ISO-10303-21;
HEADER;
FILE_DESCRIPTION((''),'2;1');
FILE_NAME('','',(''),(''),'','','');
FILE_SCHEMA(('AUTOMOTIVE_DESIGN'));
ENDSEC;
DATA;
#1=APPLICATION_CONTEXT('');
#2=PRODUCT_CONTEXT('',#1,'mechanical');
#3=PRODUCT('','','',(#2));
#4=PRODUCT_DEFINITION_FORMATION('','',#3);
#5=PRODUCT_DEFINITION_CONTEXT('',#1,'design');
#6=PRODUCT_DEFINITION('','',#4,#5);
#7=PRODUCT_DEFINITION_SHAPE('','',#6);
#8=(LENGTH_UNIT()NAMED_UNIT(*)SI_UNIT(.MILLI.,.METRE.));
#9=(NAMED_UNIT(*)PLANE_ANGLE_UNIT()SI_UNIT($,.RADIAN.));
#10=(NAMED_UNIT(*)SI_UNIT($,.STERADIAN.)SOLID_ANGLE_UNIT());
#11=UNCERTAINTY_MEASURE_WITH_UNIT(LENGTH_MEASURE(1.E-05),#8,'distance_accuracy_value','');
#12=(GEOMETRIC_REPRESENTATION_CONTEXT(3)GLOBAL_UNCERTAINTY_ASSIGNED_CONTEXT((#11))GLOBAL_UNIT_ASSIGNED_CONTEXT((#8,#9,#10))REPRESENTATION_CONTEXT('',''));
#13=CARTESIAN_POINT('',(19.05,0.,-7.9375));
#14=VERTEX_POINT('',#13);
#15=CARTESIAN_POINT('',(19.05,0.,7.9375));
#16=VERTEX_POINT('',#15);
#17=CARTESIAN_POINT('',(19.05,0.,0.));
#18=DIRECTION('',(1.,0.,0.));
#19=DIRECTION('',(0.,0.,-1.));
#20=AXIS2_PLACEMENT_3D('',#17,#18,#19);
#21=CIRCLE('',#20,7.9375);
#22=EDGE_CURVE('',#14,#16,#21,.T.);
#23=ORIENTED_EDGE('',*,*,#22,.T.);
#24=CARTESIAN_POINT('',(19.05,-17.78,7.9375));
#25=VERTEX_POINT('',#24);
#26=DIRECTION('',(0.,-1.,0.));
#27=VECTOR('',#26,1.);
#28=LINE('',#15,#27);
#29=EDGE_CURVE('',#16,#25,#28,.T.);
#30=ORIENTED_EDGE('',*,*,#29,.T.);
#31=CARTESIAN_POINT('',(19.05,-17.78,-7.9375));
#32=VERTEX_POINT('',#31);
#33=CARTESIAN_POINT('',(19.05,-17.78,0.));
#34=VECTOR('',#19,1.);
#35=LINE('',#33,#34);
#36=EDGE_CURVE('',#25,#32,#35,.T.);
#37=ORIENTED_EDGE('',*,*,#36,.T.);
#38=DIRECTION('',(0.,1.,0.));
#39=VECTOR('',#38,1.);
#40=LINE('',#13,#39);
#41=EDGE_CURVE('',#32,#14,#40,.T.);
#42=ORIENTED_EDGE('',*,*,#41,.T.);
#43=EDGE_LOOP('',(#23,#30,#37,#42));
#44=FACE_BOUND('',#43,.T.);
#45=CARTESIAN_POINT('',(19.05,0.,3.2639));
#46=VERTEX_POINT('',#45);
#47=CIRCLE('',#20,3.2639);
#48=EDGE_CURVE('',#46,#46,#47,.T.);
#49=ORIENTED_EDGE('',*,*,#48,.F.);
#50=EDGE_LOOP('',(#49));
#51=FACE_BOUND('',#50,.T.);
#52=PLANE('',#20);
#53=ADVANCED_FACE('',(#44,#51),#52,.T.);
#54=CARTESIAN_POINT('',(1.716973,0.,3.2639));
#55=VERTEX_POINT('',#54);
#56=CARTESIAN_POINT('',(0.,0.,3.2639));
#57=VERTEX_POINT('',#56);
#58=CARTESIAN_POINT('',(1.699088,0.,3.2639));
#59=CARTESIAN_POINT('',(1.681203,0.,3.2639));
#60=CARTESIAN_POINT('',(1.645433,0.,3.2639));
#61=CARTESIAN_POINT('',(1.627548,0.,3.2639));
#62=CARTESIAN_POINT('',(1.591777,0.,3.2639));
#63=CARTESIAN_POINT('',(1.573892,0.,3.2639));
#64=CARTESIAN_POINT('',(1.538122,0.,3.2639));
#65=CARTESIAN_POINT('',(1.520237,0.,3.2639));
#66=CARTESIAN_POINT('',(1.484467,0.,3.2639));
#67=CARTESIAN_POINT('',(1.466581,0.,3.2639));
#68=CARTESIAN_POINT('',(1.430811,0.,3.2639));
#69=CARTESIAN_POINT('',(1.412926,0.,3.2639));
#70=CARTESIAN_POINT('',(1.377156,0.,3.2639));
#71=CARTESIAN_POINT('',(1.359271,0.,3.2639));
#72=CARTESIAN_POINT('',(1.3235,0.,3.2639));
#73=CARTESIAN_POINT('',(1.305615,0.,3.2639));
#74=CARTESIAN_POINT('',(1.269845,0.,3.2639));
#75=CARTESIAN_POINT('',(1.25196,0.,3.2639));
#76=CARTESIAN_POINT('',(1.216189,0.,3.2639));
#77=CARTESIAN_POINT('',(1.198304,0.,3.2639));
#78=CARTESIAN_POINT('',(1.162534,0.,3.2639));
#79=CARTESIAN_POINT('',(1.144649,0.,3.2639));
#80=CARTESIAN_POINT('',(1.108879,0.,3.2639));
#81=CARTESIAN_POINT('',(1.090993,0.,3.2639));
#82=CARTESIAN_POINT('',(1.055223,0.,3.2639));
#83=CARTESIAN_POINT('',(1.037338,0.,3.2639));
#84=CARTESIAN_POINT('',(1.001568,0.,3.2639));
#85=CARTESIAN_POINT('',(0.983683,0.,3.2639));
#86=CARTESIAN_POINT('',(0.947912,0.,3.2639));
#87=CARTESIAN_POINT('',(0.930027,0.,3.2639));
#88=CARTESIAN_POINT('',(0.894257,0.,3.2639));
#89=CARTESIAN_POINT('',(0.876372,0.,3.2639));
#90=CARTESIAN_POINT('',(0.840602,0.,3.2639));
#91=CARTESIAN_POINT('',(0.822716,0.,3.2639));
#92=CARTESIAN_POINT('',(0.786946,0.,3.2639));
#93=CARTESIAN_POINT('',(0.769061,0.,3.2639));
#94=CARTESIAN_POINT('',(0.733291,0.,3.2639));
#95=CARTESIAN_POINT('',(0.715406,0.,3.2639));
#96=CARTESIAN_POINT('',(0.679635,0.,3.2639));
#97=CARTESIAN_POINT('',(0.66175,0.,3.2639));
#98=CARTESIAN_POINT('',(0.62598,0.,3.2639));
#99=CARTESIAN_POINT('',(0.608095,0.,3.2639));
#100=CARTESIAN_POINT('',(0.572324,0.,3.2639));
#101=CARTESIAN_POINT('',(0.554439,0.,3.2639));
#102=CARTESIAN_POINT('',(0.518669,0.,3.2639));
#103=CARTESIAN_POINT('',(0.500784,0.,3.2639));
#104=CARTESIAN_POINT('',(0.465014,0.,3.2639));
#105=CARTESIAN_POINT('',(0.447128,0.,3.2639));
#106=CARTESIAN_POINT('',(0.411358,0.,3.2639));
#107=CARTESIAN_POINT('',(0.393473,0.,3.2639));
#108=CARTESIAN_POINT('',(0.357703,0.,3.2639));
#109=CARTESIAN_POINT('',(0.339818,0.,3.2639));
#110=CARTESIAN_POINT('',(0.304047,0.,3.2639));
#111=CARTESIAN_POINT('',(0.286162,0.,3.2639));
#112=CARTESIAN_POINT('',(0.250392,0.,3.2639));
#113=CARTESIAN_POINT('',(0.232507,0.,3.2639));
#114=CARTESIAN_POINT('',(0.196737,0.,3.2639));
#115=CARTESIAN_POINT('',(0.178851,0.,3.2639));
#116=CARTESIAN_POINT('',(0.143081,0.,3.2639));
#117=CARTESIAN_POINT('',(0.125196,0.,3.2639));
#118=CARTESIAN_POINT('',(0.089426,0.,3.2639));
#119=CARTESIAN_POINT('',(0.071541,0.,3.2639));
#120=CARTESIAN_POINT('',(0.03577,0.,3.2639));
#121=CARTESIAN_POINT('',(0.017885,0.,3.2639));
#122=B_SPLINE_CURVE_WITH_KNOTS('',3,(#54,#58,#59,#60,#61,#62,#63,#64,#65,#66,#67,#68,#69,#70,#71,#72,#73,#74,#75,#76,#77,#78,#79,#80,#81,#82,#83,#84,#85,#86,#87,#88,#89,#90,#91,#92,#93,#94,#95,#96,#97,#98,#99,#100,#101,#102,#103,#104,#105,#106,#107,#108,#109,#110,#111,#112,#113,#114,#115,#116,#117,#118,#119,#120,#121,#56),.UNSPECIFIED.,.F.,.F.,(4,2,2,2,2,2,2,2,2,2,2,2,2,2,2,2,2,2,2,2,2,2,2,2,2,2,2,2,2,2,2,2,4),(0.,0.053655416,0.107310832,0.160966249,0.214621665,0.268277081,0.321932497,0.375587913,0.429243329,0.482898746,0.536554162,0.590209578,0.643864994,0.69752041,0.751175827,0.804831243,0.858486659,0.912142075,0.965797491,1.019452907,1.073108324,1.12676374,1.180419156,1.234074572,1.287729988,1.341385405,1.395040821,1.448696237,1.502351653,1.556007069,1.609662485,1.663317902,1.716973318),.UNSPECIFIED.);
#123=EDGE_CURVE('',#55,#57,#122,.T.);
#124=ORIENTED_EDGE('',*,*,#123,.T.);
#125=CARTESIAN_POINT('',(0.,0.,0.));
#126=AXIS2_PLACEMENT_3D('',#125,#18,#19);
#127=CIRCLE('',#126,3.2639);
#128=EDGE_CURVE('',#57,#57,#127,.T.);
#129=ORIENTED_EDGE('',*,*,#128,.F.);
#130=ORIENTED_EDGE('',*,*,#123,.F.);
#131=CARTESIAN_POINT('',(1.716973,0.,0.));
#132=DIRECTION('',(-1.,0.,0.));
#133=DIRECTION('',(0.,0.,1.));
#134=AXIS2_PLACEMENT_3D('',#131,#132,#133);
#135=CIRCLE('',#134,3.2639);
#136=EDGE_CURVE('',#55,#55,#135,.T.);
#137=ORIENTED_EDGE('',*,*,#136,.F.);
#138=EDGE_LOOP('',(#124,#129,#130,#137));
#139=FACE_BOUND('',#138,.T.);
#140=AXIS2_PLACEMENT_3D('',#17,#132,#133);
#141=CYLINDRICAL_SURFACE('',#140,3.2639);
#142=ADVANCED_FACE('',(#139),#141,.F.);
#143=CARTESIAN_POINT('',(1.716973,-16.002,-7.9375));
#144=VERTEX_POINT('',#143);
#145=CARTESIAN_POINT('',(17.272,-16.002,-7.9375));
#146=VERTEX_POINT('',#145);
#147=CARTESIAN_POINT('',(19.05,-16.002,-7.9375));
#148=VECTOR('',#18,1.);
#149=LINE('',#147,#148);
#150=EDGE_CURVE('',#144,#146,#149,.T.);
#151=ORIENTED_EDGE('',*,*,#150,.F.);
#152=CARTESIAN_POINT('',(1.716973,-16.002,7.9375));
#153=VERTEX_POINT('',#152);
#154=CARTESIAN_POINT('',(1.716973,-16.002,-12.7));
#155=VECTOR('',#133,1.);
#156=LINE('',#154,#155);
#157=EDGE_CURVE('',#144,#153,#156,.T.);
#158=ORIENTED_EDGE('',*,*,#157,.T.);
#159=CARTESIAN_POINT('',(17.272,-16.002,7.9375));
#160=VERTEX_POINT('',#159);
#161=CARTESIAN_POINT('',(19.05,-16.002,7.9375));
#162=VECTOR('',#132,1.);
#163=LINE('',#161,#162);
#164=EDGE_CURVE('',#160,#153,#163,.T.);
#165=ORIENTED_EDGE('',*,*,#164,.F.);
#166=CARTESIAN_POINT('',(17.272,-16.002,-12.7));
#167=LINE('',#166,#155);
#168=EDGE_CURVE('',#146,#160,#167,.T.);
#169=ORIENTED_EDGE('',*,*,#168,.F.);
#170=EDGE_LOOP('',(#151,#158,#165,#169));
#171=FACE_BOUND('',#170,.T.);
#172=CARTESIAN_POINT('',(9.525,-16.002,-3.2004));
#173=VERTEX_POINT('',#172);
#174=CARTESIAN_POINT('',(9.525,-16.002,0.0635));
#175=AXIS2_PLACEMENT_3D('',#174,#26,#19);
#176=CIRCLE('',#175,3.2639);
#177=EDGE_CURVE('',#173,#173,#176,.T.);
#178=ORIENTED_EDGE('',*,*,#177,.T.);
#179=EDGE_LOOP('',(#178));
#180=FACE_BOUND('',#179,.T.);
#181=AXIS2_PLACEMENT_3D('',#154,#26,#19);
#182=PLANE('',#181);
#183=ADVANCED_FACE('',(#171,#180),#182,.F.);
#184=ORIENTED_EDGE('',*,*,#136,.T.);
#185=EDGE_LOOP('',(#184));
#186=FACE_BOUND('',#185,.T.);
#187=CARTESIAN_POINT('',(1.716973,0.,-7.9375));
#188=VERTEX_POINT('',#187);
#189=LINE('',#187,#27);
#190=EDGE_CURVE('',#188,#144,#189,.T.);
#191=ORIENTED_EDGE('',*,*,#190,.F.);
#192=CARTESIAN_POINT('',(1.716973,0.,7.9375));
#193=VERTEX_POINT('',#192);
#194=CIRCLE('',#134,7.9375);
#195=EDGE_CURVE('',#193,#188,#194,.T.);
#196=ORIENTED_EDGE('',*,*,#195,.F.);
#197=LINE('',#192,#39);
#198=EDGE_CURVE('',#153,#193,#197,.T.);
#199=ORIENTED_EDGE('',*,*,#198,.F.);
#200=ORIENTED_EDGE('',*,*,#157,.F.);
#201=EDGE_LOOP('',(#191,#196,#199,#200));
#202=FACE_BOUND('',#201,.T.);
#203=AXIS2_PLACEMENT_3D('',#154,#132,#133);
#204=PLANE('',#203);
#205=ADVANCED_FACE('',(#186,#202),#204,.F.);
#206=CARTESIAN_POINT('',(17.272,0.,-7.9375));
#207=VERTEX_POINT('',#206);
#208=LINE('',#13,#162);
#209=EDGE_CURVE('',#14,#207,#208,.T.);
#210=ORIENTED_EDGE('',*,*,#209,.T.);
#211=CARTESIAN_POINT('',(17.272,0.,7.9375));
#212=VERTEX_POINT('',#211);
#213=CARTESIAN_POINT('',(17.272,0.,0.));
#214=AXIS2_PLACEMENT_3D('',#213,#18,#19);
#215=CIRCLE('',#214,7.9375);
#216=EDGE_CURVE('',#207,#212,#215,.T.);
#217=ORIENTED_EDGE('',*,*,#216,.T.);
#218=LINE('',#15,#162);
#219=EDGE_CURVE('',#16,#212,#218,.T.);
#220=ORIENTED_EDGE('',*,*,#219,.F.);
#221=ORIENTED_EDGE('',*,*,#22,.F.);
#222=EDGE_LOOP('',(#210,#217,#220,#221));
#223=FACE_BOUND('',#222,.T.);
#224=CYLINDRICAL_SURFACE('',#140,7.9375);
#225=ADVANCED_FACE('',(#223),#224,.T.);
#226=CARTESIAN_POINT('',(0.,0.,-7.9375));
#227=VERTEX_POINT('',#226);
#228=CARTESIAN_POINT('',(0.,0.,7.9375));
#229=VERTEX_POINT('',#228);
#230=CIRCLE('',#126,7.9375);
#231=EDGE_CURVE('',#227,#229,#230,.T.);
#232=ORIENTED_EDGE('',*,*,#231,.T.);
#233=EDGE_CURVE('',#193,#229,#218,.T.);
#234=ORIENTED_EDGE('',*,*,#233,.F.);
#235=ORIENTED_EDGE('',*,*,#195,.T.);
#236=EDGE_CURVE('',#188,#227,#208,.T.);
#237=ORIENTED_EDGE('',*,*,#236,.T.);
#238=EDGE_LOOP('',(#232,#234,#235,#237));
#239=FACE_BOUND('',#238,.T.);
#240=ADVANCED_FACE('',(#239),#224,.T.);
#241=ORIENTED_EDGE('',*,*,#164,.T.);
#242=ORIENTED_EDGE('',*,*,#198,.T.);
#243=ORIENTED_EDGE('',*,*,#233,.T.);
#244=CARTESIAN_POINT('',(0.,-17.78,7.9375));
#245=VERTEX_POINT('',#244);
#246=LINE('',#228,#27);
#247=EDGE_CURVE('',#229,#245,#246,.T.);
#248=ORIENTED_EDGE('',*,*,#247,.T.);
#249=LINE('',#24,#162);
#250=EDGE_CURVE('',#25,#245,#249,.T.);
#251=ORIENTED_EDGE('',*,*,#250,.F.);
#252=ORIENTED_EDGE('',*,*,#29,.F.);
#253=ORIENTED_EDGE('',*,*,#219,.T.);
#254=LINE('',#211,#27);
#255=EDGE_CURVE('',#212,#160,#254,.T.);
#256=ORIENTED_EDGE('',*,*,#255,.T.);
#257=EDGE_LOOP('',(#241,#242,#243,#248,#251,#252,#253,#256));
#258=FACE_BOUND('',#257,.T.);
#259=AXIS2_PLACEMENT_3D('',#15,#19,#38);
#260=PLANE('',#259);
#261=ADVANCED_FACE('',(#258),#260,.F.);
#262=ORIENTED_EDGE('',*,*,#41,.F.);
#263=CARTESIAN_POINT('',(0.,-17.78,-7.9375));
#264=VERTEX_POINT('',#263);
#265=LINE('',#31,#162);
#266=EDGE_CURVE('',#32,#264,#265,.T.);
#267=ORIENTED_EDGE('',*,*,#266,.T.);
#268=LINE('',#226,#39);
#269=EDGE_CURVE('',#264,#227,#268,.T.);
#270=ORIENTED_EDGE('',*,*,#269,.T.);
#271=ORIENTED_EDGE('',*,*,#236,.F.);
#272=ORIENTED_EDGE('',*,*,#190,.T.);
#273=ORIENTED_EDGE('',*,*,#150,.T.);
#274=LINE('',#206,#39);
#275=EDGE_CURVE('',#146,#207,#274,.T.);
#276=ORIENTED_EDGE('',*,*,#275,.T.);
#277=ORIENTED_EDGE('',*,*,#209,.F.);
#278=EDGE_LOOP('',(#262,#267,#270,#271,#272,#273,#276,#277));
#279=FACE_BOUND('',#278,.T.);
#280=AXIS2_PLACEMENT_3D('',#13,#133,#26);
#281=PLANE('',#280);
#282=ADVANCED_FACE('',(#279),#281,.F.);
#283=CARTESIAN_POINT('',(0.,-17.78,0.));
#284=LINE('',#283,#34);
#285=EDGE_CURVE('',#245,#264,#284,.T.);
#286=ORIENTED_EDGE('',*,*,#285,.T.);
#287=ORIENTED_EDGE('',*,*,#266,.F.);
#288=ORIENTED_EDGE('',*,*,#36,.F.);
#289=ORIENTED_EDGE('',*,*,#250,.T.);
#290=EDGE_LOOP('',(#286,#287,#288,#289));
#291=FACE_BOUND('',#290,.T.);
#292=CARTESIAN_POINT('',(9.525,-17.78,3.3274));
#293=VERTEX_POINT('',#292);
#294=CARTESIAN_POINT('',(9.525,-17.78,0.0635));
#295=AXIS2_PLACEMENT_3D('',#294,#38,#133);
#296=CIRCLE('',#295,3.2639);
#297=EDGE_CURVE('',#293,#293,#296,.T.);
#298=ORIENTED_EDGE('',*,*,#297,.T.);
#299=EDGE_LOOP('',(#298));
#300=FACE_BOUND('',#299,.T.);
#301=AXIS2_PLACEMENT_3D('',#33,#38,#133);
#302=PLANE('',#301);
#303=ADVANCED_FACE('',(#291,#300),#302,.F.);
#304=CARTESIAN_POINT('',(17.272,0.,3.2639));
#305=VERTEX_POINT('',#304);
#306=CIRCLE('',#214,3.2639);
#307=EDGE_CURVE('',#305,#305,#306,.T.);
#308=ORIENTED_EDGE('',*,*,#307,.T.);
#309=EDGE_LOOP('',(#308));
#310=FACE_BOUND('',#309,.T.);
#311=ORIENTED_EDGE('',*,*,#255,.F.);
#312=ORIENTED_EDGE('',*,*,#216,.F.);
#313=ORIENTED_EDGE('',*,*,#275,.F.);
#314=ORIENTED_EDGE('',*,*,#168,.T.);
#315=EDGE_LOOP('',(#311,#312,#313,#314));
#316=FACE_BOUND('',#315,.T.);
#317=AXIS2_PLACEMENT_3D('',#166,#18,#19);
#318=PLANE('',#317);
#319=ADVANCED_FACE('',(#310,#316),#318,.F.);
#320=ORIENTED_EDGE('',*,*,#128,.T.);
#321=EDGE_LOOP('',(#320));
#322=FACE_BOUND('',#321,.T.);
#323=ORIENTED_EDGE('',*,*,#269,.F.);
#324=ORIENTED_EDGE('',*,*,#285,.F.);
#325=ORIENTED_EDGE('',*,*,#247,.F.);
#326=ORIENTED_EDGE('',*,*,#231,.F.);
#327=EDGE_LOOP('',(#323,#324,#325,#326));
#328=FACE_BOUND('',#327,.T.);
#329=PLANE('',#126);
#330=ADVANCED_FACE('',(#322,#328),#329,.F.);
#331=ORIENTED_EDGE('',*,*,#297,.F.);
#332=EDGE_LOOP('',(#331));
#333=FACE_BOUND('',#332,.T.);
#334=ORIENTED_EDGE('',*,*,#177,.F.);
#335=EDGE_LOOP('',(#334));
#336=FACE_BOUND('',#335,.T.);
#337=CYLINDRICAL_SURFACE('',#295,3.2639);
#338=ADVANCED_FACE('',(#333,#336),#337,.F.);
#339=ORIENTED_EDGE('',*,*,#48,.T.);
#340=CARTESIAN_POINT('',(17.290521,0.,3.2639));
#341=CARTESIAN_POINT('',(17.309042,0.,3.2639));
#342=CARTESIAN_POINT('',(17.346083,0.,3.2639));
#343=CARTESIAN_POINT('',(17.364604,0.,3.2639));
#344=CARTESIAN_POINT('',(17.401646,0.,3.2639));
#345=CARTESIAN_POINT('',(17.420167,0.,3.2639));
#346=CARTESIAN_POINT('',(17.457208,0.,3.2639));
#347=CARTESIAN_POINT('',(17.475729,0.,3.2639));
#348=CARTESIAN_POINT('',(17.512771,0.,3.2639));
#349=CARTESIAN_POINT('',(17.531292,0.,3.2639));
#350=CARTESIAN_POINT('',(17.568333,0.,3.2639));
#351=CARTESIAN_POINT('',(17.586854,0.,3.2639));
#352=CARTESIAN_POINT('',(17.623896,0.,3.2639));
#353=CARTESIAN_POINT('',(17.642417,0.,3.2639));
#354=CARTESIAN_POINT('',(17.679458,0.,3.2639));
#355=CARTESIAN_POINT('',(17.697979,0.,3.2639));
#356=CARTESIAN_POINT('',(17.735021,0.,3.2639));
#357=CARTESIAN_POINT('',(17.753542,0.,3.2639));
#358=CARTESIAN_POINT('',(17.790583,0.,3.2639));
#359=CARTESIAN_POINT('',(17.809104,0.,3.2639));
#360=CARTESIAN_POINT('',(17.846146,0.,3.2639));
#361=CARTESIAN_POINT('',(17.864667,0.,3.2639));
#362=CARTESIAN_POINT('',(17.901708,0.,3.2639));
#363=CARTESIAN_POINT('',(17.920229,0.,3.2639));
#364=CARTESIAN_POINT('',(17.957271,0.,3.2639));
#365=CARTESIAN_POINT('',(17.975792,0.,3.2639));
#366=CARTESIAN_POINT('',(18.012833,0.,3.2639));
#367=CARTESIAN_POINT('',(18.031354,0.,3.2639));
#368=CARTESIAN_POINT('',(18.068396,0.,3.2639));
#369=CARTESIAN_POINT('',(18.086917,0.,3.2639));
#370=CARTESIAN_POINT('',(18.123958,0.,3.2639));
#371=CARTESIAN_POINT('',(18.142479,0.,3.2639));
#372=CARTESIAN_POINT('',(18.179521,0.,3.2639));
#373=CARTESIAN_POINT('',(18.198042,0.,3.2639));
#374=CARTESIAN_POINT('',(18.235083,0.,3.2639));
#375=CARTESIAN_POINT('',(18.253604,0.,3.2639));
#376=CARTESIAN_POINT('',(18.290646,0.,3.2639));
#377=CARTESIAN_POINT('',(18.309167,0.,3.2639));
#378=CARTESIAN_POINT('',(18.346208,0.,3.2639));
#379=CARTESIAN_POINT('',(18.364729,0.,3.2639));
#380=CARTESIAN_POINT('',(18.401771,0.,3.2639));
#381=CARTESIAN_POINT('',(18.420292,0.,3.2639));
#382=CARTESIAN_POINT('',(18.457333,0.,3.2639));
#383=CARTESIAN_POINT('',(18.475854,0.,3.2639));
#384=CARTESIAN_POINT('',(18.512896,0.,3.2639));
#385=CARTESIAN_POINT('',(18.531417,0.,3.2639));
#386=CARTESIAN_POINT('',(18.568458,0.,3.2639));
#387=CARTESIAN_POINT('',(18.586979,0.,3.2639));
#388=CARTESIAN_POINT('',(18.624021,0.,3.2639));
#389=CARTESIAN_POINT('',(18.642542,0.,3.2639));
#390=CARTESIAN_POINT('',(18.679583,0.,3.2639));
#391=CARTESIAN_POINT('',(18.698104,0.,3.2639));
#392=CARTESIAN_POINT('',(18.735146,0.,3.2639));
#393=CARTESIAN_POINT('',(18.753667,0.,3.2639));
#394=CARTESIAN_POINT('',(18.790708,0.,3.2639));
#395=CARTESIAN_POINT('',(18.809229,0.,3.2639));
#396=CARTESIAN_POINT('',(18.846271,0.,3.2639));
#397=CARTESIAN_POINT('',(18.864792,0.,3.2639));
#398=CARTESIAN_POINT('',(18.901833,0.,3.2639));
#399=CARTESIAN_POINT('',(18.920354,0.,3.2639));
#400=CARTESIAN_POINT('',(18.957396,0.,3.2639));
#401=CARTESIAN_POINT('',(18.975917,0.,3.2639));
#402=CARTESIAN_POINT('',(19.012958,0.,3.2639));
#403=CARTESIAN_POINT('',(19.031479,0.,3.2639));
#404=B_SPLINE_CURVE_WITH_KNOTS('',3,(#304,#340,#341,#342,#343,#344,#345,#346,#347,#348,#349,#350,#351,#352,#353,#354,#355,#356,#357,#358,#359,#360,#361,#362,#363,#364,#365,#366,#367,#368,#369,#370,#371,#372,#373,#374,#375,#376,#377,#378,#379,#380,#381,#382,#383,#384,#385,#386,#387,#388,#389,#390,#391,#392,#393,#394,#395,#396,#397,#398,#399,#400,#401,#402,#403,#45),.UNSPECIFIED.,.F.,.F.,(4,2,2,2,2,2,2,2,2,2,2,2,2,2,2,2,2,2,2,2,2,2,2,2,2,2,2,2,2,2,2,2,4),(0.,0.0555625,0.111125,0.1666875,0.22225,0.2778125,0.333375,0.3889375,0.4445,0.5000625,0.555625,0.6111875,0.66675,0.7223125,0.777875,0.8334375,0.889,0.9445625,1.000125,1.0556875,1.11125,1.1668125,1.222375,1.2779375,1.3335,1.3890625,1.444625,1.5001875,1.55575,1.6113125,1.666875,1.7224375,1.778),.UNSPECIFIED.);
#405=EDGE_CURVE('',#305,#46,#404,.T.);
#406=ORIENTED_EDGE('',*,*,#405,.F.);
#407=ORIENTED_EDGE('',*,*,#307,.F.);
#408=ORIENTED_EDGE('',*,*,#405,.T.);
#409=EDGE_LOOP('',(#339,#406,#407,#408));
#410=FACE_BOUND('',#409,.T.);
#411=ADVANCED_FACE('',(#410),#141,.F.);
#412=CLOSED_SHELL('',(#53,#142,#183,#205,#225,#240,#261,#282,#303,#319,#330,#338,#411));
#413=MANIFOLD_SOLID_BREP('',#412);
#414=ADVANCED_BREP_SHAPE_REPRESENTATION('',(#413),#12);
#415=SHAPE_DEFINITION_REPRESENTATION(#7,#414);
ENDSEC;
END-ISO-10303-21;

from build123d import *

# Parameters (mm, degrees)
SKETCH2_R           = 7.9375
SKETCH2_R_2         = 3.2639
BOSS_EXTRUDE1_DEPTH = 19.05
SKETCH3_W           = 15.555026682
SKETCH3_H           = 25.4
CUT_EXTRUDE1_DEPTH  = 12.7
SKETCH4_R           = 3.2639
CUT_EXTRUDE2_DEPTH  = 28.240315825


with BuildPart() as part:
    # Sketch2 → Boss-Extrude1 (new body)
    # profile 1 of 2: a face of its own
    with BuildSketch(Plane(origin=(0, 0, 0), x_dir=(0, 0, -1), z_dir=(1, 0, 0))):
        with BuildLine():
            ThreePointArc((7.9375, 0), (0, -7.9375), (-7.9375, 0))
            Line((-7.9375, 0), (-7.9375, -17.78))
            Line((-7.9375, -17.78), (7.9375, -17.78))
            Line((7.9375, -17.78), (7.9375, 0))
        make_face()
    # profile 2 of 2: a face of its own
    with BuildSketch(Plane(origin=(0, 0, 0), x_dir=(0, 0, -1), z_dir=(1, 0, 0))):
        Circle(SKETCH2_R)
        with Locations(Location((0, 0, 0), (0, 0, 180))):
            Circle(SKETCH2_R_2, mode=Mode.SUBTRACT)
    extrude(amount=BOSS_EXTRUDE1_DEPTH)

    # Sketch3 → Cut-Extrude1 (cut, symmetric)
    with BuildSketch(Plane.XY):
        with Locations((9.494486659, -3.302)):
            Rectangle(SKETCH3_W, SKETCH3_H)
    extrude(amount=CUT_EXTRUDE1_DEPTH, both=True, mode=Mode.SUBTRACT)

    # Sketch4 → Cut-Extrude2 (cut, through all)
    with BuildSketch(Plane(origin=(0, 0, 0), x_dir=(1, 0, 0), z_dir=(0, 1, 0))):
        with Locations(Location((9.525, -0.0635, 0), (0, 0, 270))):
            Circle(SKETCH4_R)
    extrude(amount=-CUT_EXTRUDE2_DEPTH, mode=Mode.SUBTRACT)


solid = part.part
